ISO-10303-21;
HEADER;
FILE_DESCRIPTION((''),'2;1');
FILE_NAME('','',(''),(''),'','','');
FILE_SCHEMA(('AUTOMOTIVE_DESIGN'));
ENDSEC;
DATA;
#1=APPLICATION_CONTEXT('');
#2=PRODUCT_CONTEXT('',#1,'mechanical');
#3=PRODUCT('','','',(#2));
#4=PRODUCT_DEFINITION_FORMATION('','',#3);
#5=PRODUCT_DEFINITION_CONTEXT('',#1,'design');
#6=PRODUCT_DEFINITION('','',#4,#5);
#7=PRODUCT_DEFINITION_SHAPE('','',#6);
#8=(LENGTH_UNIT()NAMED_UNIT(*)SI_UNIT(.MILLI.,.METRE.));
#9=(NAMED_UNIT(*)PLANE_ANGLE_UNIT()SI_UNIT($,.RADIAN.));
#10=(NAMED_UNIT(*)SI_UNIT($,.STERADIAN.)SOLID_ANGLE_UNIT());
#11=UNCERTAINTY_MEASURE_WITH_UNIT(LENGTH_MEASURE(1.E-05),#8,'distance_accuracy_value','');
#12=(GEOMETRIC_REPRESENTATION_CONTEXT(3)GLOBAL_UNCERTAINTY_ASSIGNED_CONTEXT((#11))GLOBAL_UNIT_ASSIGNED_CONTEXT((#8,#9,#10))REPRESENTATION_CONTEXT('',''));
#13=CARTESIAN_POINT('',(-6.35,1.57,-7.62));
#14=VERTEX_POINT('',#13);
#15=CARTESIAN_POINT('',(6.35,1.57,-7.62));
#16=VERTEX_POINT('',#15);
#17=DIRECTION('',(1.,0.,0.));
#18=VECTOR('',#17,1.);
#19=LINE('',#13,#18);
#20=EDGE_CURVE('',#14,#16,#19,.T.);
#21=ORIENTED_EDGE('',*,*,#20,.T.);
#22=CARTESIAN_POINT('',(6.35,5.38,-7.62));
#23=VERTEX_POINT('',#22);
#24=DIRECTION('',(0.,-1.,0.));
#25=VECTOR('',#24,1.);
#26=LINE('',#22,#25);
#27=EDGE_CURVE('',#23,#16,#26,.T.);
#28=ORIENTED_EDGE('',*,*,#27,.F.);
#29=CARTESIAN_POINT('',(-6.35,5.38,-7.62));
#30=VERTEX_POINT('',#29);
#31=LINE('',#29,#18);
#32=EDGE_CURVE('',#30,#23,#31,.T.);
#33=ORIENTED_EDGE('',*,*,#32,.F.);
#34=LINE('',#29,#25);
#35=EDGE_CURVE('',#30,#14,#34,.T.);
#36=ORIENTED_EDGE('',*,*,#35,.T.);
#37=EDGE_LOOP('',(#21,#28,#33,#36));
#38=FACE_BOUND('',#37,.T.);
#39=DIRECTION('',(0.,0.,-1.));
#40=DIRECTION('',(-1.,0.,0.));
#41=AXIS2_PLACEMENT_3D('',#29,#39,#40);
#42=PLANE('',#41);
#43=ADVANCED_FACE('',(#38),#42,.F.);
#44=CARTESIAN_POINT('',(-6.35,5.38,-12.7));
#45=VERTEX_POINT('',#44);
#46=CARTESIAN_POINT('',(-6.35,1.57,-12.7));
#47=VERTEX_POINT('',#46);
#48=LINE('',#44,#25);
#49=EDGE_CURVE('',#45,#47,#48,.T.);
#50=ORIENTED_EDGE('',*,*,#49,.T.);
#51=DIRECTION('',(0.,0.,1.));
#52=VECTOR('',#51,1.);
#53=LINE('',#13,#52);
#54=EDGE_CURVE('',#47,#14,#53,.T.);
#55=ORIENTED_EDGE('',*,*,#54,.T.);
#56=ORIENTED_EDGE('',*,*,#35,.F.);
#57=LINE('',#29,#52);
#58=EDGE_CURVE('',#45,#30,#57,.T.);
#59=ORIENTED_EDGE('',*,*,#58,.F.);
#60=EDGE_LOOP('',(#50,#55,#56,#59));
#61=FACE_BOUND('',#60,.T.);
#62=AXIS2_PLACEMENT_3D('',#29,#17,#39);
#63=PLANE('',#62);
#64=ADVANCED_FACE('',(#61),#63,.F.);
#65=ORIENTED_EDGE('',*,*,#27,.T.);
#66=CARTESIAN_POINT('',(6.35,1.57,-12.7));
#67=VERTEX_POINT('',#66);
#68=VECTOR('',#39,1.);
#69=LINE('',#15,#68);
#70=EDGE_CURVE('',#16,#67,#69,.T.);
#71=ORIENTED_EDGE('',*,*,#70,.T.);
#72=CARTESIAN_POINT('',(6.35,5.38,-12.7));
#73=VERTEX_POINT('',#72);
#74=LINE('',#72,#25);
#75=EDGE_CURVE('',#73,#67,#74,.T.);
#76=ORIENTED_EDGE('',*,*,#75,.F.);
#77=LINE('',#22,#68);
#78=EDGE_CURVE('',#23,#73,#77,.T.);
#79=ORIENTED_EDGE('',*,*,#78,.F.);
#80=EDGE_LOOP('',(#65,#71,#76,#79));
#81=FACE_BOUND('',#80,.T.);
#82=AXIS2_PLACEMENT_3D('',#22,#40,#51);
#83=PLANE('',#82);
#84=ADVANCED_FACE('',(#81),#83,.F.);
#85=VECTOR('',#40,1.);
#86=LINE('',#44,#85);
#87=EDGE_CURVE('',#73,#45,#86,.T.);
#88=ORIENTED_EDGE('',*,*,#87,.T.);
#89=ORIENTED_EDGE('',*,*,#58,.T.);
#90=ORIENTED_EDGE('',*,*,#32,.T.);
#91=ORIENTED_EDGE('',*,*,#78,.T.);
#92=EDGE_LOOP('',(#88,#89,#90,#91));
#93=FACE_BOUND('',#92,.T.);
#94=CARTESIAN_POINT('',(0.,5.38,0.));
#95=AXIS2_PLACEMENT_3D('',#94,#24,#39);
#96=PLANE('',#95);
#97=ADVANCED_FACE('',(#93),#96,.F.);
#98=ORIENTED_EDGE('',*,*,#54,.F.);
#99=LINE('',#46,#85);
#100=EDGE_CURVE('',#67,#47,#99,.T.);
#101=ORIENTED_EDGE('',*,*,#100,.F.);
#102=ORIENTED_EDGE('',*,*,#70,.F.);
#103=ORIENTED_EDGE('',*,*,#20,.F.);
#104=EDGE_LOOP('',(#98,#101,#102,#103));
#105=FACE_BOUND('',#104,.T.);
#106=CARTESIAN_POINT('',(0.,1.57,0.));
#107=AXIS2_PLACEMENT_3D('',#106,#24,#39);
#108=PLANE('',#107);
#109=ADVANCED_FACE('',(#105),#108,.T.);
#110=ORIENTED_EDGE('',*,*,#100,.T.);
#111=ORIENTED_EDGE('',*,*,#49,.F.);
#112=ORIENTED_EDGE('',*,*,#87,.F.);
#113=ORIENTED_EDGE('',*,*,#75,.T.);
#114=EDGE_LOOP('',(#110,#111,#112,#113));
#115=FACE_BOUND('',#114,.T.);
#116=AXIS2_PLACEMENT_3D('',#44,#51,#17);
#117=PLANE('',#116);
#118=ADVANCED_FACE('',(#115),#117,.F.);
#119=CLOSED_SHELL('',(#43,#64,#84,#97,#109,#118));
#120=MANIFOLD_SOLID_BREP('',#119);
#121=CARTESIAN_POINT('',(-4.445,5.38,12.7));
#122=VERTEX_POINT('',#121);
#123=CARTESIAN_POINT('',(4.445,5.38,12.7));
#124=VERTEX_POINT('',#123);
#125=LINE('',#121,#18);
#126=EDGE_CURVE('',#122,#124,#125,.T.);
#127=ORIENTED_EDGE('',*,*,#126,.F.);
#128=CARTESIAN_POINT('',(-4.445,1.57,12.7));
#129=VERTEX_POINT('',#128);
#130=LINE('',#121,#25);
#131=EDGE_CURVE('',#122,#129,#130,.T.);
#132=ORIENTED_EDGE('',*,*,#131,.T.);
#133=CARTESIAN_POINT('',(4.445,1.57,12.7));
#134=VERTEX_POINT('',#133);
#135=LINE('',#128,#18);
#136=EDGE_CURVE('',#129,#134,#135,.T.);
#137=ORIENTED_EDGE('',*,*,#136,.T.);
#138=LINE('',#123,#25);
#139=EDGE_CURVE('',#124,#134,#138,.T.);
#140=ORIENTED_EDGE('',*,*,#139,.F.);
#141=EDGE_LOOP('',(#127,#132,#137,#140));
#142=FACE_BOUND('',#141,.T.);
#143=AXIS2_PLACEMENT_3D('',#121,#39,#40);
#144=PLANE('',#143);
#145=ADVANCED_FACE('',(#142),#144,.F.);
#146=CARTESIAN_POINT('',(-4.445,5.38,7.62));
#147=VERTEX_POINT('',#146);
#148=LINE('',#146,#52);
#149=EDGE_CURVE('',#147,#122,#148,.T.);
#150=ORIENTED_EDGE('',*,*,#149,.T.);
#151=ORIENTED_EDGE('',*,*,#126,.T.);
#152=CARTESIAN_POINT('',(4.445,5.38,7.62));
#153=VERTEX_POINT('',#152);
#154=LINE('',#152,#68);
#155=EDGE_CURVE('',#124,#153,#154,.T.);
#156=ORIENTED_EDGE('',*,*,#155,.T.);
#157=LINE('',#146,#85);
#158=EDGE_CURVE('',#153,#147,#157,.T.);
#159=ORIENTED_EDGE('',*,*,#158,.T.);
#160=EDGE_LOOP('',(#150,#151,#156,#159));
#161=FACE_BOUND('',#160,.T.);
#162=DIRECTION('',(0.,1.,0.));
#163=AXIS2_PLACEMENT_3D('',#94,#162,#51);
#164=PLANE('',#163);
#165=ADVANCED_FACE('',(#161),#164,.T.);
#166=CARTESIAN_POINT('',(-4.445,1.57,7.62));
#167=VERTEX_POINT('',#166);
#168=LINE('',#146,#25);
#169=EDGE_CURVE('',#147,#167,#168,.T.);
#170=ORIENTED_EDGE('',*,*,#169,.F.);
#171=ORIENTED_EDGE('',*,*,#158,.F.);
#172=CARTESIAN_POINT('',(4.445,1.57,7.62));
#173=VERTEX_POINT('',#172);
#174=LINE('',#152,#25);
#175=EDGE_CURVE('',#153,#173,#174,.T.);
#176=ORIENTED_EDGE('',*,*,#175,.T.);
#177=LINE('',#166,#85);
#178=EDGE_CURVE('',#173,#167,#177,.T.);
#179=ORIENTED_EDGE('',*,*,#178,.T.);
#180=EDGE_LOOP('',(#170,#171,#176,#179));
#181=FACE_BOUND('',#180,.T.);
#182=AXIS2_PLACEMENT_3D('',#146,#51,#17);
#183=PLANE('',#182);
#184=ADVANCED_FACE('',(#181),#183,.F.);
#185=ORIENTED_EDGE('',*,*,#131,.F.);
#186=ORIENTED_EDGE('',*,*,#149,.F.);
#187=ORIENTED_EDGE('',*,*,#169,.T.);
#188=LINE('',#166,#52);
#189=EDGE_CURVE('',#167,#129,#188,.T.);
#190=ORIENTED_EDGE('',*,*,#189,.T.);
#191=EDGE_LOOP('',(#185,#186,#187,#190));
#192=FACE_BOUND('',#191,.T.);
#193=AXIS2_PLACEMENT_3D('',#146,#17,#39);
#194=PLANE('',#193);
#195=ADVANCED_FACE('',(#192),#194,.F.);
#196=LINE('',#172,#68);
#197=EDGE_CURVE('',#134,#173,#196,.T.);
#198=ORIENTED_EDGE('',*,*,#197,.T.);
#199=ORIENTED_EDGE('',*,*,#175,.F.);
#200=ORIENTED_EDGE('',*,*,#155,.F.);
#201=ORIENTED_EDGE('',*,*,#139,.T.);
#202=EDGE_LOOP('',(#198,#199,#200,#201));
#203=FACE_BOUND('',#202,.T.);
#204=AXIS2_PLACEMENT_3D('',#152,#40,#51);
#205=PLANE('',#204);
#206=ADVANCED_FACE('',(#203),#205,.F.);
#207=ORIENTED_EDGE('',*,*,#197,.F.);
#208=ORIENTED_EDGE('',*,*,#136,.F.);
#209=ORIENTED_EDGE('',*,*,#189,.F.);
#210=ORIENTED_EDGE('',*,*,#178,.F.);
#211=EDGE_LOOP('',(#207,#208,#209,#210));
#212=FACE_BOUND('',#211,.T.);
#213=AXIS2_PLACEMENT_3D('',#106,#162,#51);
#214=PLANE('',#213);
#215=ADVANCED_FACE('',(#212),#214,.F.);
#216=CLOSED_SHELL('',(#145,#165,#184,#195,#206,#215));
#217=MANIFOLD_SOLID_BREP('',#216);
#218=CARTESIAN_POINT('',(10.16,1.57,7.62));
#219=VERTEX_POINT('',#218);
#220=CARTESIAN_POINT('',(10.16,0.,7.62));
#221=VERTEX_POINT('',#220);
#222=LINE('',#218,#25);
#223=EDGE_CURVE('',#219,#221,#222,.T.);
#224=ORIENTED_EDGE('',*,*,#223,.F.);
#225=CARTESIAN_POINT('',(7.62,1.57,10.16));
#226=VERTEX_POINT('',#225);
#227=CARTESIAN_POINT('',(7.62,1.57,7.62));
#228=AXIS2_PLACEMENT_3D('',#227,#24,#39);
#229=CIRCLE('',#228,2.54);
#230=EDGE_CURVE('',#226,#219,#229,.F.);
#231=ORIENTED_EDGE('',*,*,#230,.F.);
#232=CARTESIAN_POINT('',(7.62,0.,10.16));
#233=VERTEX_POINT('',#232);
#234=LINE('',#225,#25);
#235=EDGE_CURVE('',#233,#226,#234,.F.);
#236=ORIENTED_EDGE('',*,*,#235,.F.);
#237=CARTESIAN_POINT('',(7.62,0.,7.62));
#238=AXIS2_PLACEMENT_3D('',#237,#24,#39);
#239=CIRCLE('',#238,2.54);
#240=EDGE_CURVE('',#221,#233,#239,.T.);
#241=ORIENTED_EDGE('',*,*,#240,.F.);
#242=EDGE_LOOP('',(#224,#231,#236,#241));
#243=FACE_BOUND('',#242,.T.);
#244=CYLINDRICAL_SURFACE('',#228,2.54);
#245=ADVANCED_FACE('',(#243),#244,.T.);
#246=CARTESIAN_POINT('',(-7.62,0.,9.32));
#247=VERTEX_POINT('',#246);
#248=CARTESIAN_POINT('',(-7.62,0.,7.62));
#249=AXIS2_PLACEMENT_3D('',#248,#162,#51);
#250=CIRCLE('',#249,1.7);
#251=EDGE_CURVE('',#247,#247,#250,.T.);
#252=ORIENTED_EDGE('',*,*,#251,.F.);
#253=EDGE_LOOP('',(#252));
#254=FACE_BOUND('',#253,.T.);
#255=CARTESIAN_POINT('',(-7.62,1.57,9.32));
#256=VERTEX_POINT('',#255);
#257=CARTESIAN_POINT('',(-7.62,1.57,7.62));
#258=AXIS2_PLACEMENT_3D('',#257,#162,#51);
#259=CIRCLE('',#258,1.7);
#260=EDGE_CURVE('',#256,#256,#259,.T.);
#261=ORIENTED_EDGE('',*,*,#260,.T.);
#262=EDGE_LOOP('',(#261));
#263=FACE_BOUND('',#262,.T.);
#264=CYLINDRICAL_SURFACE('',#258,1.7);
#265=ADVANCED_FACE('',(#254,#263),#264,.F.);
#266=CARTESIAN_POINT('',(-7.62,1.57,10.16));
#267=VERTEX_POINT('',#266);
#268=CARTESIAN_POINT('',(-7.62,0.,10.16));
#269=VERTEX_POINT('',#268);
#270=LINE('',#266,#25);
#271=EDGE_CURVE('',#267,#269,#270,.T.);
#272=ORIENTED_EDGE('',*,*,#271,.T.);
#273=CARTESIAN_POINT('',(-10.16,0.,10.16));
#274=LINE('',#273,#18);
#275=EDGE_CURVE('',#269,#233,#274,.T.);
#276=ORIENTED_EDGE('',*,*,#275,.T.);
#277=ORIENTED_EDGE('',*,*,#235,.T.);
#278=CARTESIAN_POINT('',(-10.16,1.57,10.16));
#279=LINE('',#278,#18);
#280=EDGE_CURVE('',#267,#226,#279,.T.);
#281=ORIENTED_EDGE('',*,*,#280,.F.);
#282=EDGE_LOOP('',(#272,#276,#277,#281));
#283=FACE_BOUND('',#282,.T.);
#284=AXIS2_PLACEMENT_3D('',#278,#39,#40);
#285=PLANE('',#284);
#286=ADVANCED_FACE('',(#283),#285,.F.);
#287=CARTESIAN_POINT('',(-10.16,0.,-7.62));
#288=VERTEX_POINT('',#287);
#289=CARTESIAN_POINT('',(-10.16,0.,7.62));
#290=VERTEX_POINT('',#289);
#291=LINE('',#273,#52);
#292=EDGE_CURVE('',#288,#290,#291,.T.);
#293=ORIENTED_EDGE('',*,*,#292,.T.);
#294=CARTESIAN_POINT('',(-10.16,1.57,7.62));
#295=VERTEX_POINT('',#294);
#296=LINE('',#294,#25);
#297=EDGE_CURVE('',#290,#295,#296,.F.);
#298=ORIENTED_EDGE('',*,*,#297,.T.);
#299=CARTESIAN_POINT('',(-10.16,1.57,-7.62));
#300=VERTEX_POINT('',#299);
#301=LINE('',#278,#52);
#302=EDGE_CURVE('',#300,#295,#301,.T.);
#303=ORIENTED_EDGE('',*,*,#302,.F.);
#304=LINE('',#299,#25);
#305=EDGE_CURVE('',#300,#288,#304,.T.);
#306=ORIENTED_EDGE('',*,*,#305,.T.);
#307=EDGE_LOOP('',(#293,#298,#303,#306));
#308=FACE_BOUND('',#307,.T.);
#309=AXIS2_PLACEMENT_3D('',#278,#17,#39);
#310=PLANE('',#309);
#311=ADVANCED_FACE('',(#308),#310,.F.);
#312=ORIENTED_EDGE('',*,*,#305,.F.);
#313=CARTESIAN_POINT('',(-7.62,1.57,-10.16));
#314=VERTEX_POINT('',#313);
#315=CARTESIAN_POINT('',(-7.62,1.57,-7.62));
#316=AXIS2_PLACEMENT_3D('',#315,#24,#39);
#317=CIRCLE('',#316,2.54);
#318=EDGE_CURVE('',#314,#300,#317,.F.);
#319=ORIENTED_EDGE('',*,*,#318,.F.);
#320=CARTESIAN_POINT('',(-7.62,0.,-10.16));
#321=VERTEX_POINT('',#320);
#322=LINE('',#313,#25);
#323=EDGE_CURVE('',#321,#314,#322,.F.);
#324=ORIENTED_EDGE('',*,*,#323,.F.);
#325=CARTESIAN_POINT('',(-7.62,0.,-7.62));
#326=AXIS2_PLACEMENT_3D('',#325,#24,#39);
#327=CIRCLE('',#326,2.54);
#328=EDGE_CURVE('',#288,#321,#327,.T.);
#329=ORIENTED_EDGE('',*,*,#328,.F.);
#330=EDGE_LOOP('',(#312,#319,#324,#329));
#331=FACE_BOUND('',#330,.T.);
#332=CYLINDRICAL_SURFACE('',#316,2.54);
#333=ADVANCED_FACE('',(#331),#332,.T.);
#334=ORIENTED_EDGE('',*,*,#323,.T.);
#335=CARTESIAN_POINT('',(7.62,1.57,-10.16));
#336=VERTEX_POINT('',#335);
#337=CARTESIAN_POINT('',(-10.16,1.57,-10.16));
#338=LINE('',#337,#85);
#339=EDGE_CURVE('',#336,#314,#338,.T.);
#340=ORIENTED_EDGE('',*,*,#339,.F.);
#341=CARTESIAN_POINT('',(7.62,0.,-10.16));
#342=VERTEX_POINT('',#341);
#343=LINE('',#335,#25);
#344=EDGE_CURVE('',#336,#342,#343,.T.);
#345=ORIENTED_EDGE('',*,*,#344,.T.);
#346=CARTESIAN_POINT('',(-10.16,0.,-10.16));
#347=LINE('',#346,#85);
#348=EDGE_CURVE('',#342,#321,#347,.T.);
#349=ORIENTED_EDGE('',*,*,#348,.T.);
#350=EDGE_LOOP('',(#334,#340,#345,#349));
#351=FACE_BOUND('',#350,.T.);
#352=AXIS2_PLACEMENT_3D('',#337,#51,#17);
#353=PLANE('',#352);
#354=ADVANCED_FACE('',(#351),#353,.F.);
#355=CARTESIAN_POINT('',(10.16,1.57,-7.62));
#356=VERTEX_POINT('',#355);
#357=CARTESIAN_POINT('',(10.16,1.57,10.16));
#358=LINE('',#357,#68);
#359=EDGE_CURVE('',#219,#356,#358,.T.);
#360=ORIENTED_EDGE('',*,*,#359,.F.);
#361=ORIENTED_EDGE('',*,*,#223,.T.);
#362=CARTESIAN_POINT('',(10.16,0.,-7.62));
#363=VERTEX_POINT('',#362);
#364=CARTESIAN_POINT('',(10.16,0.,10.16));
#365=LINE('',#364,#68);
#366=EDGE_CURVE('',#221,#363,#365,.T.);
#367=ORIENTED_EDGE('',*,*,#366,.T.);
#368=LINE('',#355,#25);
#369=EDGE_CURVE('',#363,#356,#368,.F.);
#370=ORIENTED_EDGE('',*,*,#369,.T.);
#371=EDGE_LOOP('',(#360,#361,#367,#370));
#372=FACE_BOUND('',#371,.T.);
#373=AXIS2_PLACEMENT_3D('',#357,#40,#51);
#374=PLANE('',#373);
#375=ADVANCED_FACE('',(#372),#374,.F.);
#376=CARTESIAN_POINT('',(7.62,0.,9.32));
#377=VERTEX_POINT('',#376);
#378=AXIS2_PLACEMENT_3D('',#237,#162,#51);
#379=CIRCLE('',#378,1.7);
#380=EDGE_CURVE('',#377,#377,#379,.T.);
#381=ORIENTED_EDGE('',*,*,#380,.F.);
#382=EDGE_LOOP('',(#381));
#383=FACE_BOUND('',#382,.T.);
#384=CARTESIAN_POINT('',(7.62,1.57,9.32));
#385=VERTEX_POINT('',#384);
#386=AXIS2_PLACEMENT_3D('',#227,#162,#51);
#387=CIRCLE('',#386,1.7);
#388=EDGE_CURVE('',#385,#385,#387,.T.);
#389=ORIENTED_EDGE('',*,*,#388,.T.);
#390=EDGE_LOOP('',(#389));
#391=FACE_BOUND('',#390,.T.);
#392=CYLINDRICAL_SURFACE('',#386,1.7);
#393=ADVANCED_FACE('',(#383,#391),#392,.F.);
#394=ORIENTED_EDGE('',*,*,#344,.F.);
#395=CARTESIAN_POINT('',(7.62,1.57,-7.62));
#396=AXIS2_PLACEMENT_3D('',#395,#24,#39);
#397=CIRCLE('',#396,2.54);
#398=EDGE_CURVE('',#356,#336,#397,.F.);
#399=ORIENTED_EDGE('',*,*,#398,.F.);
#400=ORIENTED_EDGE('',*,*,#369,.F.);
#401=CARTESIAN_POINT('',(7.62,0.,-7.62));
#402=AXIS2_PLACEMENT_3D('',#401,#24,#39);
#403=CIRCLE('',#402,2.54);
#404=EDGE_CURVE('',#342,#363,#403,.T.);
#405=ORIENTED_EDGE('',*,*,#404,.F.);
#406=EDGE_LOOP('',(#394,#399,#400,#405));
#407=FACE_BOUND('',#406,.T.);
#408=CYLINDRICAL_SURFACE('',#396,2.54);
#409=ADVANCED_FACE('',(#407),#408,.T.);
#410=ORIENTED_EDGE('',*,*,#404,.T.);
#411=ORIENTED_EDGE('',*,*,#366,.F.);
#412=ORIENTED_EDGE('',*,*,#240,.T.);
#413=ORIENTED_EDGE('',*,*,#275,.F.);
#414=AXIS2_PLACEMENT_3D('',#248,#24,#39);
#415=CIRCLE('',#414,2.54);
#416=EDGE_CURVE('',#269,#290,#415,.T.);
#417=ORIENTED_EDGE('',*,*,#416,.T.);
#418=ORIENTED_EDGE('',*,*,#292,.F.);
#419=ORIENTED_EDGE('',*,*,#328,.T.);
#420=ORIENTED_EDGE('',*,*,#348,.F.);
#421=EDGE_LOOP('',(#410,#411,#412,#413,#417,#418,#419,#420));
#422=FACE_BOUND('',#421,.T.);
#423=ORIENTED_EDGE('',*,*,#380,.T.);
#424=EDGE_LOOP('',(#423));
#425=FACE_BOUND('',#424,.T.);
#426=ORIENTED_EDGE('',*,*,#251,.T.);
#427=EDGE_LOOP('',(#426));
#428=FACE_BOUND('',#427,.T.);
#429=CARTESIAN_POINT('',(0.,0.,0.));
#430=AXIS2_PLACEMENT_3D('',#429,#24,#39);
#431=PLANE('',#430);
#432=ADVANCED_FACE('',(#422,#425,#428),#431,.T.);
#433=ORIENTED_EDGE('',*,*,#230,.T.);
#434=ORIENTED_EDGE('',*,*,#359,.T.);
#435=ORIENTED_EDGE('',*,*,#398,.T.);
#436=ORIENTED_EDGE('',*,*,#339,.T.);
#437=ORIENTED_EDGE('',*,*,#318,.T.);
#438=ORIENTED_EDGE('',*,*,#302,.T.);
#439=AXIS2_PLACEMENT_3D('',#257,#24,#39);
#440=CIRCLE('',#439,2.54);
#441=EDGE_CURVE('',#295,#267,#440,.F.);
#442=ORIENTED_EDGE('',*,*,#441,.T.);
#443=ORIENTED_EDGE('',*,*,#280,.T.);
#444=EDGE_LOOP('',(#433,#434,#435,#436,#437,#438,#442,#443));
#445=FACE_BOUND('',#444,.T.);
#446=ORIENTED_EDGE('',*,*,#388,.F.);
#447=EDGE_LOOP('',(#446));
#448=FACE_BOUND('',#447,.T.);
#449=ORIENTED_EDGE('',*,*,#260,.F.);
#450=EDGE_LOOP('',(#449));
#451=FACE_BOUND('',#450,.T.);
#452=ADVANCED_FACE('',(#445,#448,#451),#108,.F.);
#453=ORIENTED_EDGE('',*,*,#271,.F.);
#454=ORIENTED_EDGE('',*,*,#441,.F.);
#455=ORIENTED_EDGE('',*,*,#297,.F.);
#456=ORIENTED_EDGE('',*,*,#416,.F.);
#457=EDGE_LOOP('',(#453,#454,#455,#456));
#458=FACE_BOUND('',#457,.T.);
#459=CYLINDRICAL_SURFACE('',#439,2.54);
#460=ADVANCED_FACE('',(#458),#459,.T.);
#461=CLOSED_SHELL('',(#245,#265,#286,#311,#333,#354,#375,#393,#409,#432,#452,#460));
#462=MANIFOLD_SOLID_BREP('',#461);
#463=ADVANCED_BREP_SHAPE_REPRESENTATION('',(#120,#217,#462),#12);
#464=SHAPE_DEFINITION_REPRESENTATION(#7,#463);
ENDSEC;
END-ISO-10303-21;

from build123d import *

# Parameters (mm, degrees)
SKETCH1_W             = 20.32
SKETCH1_H             = 20.32
BOSS_EXTRUDE1_DEPTH   = 1.57
FILLET1_R             = 2.54
M3_CLEARANCE_HOLE1_D  = 3.4
SKETCH4_W             = 8.89
SKETCH4_H             = 5.08
BOSS_EXTRUDE2_DEPTH   = 3.81
SKETCH4_W_2           = 12.7
BOSS_EXTRUDE2_2_DEPTH = 3.81


with BuildPart() as part:
    # Sketch1 → Boss-Extrude1 (new body)
    with BuildSketch(Plane(origin=(0, 0, 0), x_dir=(1, 0, 0), z_dir=(0, 1, 0))):
        Rectangle(SKETCH1_W, SKETCH1_H)
    extrude(amount=BOSS_EXTRUDE1_DEPTH)

    # Fillet1
    fillet1_edges = [part.edges().sort_by_distance(p)[0] for p in [
        (10.16, 0.785, 10.16),
        (-10.16, 0.785, 10.16),
        (-10.16, 0.785, -10.16),
        (10.16, 0.785, -10.16),
    ]]
    fillet(fillet1_edges, radius=FILLET1_R)

    # M3 Clearance Hole1 (through all)
    with Locations(Plane(origin=(0, 1.57, 0), x_dir=(1, 0, 0), z_dir=(0, 1, 0))):
        with Locations((-7.62, -7.62), (7.62, -7.62)):
            Hole(M3_CLEARANCE_HOLE1_D / 2)


with BuildPart() as body_2:
    # Sketch4 → Boss-Extrude2 (new body)
    with BuildSketch(Plane(origin=(0, 1.57, 0), x_dir=(1, 0, 0), z_dir=(0, 1, 0))):
        with Locations((0, -10.16)):
            Rectangle(SKETCH4_W, SKETCH4_H)
    extrude(amount=BOSS_EXTRUDE2_DEPTH)


with BuildPart() as body_3:
    # Sketch4 → Boss-Extrude2 2 (new body)
    with BuildSketch(Plane(origin=(0, 1.57, 0), x_dir=(1, 0, 0), z_dir=(0, 1, 0))):
        with Locations((0, 10.16)):
            Rectangle(SKETCH4_W_2, SKETCH4_H)
    extrude(amount=BOSS_EXTRUDE2_2_DEPTH)


solid = Compound([part.part, body_2.part, body_3.part])
